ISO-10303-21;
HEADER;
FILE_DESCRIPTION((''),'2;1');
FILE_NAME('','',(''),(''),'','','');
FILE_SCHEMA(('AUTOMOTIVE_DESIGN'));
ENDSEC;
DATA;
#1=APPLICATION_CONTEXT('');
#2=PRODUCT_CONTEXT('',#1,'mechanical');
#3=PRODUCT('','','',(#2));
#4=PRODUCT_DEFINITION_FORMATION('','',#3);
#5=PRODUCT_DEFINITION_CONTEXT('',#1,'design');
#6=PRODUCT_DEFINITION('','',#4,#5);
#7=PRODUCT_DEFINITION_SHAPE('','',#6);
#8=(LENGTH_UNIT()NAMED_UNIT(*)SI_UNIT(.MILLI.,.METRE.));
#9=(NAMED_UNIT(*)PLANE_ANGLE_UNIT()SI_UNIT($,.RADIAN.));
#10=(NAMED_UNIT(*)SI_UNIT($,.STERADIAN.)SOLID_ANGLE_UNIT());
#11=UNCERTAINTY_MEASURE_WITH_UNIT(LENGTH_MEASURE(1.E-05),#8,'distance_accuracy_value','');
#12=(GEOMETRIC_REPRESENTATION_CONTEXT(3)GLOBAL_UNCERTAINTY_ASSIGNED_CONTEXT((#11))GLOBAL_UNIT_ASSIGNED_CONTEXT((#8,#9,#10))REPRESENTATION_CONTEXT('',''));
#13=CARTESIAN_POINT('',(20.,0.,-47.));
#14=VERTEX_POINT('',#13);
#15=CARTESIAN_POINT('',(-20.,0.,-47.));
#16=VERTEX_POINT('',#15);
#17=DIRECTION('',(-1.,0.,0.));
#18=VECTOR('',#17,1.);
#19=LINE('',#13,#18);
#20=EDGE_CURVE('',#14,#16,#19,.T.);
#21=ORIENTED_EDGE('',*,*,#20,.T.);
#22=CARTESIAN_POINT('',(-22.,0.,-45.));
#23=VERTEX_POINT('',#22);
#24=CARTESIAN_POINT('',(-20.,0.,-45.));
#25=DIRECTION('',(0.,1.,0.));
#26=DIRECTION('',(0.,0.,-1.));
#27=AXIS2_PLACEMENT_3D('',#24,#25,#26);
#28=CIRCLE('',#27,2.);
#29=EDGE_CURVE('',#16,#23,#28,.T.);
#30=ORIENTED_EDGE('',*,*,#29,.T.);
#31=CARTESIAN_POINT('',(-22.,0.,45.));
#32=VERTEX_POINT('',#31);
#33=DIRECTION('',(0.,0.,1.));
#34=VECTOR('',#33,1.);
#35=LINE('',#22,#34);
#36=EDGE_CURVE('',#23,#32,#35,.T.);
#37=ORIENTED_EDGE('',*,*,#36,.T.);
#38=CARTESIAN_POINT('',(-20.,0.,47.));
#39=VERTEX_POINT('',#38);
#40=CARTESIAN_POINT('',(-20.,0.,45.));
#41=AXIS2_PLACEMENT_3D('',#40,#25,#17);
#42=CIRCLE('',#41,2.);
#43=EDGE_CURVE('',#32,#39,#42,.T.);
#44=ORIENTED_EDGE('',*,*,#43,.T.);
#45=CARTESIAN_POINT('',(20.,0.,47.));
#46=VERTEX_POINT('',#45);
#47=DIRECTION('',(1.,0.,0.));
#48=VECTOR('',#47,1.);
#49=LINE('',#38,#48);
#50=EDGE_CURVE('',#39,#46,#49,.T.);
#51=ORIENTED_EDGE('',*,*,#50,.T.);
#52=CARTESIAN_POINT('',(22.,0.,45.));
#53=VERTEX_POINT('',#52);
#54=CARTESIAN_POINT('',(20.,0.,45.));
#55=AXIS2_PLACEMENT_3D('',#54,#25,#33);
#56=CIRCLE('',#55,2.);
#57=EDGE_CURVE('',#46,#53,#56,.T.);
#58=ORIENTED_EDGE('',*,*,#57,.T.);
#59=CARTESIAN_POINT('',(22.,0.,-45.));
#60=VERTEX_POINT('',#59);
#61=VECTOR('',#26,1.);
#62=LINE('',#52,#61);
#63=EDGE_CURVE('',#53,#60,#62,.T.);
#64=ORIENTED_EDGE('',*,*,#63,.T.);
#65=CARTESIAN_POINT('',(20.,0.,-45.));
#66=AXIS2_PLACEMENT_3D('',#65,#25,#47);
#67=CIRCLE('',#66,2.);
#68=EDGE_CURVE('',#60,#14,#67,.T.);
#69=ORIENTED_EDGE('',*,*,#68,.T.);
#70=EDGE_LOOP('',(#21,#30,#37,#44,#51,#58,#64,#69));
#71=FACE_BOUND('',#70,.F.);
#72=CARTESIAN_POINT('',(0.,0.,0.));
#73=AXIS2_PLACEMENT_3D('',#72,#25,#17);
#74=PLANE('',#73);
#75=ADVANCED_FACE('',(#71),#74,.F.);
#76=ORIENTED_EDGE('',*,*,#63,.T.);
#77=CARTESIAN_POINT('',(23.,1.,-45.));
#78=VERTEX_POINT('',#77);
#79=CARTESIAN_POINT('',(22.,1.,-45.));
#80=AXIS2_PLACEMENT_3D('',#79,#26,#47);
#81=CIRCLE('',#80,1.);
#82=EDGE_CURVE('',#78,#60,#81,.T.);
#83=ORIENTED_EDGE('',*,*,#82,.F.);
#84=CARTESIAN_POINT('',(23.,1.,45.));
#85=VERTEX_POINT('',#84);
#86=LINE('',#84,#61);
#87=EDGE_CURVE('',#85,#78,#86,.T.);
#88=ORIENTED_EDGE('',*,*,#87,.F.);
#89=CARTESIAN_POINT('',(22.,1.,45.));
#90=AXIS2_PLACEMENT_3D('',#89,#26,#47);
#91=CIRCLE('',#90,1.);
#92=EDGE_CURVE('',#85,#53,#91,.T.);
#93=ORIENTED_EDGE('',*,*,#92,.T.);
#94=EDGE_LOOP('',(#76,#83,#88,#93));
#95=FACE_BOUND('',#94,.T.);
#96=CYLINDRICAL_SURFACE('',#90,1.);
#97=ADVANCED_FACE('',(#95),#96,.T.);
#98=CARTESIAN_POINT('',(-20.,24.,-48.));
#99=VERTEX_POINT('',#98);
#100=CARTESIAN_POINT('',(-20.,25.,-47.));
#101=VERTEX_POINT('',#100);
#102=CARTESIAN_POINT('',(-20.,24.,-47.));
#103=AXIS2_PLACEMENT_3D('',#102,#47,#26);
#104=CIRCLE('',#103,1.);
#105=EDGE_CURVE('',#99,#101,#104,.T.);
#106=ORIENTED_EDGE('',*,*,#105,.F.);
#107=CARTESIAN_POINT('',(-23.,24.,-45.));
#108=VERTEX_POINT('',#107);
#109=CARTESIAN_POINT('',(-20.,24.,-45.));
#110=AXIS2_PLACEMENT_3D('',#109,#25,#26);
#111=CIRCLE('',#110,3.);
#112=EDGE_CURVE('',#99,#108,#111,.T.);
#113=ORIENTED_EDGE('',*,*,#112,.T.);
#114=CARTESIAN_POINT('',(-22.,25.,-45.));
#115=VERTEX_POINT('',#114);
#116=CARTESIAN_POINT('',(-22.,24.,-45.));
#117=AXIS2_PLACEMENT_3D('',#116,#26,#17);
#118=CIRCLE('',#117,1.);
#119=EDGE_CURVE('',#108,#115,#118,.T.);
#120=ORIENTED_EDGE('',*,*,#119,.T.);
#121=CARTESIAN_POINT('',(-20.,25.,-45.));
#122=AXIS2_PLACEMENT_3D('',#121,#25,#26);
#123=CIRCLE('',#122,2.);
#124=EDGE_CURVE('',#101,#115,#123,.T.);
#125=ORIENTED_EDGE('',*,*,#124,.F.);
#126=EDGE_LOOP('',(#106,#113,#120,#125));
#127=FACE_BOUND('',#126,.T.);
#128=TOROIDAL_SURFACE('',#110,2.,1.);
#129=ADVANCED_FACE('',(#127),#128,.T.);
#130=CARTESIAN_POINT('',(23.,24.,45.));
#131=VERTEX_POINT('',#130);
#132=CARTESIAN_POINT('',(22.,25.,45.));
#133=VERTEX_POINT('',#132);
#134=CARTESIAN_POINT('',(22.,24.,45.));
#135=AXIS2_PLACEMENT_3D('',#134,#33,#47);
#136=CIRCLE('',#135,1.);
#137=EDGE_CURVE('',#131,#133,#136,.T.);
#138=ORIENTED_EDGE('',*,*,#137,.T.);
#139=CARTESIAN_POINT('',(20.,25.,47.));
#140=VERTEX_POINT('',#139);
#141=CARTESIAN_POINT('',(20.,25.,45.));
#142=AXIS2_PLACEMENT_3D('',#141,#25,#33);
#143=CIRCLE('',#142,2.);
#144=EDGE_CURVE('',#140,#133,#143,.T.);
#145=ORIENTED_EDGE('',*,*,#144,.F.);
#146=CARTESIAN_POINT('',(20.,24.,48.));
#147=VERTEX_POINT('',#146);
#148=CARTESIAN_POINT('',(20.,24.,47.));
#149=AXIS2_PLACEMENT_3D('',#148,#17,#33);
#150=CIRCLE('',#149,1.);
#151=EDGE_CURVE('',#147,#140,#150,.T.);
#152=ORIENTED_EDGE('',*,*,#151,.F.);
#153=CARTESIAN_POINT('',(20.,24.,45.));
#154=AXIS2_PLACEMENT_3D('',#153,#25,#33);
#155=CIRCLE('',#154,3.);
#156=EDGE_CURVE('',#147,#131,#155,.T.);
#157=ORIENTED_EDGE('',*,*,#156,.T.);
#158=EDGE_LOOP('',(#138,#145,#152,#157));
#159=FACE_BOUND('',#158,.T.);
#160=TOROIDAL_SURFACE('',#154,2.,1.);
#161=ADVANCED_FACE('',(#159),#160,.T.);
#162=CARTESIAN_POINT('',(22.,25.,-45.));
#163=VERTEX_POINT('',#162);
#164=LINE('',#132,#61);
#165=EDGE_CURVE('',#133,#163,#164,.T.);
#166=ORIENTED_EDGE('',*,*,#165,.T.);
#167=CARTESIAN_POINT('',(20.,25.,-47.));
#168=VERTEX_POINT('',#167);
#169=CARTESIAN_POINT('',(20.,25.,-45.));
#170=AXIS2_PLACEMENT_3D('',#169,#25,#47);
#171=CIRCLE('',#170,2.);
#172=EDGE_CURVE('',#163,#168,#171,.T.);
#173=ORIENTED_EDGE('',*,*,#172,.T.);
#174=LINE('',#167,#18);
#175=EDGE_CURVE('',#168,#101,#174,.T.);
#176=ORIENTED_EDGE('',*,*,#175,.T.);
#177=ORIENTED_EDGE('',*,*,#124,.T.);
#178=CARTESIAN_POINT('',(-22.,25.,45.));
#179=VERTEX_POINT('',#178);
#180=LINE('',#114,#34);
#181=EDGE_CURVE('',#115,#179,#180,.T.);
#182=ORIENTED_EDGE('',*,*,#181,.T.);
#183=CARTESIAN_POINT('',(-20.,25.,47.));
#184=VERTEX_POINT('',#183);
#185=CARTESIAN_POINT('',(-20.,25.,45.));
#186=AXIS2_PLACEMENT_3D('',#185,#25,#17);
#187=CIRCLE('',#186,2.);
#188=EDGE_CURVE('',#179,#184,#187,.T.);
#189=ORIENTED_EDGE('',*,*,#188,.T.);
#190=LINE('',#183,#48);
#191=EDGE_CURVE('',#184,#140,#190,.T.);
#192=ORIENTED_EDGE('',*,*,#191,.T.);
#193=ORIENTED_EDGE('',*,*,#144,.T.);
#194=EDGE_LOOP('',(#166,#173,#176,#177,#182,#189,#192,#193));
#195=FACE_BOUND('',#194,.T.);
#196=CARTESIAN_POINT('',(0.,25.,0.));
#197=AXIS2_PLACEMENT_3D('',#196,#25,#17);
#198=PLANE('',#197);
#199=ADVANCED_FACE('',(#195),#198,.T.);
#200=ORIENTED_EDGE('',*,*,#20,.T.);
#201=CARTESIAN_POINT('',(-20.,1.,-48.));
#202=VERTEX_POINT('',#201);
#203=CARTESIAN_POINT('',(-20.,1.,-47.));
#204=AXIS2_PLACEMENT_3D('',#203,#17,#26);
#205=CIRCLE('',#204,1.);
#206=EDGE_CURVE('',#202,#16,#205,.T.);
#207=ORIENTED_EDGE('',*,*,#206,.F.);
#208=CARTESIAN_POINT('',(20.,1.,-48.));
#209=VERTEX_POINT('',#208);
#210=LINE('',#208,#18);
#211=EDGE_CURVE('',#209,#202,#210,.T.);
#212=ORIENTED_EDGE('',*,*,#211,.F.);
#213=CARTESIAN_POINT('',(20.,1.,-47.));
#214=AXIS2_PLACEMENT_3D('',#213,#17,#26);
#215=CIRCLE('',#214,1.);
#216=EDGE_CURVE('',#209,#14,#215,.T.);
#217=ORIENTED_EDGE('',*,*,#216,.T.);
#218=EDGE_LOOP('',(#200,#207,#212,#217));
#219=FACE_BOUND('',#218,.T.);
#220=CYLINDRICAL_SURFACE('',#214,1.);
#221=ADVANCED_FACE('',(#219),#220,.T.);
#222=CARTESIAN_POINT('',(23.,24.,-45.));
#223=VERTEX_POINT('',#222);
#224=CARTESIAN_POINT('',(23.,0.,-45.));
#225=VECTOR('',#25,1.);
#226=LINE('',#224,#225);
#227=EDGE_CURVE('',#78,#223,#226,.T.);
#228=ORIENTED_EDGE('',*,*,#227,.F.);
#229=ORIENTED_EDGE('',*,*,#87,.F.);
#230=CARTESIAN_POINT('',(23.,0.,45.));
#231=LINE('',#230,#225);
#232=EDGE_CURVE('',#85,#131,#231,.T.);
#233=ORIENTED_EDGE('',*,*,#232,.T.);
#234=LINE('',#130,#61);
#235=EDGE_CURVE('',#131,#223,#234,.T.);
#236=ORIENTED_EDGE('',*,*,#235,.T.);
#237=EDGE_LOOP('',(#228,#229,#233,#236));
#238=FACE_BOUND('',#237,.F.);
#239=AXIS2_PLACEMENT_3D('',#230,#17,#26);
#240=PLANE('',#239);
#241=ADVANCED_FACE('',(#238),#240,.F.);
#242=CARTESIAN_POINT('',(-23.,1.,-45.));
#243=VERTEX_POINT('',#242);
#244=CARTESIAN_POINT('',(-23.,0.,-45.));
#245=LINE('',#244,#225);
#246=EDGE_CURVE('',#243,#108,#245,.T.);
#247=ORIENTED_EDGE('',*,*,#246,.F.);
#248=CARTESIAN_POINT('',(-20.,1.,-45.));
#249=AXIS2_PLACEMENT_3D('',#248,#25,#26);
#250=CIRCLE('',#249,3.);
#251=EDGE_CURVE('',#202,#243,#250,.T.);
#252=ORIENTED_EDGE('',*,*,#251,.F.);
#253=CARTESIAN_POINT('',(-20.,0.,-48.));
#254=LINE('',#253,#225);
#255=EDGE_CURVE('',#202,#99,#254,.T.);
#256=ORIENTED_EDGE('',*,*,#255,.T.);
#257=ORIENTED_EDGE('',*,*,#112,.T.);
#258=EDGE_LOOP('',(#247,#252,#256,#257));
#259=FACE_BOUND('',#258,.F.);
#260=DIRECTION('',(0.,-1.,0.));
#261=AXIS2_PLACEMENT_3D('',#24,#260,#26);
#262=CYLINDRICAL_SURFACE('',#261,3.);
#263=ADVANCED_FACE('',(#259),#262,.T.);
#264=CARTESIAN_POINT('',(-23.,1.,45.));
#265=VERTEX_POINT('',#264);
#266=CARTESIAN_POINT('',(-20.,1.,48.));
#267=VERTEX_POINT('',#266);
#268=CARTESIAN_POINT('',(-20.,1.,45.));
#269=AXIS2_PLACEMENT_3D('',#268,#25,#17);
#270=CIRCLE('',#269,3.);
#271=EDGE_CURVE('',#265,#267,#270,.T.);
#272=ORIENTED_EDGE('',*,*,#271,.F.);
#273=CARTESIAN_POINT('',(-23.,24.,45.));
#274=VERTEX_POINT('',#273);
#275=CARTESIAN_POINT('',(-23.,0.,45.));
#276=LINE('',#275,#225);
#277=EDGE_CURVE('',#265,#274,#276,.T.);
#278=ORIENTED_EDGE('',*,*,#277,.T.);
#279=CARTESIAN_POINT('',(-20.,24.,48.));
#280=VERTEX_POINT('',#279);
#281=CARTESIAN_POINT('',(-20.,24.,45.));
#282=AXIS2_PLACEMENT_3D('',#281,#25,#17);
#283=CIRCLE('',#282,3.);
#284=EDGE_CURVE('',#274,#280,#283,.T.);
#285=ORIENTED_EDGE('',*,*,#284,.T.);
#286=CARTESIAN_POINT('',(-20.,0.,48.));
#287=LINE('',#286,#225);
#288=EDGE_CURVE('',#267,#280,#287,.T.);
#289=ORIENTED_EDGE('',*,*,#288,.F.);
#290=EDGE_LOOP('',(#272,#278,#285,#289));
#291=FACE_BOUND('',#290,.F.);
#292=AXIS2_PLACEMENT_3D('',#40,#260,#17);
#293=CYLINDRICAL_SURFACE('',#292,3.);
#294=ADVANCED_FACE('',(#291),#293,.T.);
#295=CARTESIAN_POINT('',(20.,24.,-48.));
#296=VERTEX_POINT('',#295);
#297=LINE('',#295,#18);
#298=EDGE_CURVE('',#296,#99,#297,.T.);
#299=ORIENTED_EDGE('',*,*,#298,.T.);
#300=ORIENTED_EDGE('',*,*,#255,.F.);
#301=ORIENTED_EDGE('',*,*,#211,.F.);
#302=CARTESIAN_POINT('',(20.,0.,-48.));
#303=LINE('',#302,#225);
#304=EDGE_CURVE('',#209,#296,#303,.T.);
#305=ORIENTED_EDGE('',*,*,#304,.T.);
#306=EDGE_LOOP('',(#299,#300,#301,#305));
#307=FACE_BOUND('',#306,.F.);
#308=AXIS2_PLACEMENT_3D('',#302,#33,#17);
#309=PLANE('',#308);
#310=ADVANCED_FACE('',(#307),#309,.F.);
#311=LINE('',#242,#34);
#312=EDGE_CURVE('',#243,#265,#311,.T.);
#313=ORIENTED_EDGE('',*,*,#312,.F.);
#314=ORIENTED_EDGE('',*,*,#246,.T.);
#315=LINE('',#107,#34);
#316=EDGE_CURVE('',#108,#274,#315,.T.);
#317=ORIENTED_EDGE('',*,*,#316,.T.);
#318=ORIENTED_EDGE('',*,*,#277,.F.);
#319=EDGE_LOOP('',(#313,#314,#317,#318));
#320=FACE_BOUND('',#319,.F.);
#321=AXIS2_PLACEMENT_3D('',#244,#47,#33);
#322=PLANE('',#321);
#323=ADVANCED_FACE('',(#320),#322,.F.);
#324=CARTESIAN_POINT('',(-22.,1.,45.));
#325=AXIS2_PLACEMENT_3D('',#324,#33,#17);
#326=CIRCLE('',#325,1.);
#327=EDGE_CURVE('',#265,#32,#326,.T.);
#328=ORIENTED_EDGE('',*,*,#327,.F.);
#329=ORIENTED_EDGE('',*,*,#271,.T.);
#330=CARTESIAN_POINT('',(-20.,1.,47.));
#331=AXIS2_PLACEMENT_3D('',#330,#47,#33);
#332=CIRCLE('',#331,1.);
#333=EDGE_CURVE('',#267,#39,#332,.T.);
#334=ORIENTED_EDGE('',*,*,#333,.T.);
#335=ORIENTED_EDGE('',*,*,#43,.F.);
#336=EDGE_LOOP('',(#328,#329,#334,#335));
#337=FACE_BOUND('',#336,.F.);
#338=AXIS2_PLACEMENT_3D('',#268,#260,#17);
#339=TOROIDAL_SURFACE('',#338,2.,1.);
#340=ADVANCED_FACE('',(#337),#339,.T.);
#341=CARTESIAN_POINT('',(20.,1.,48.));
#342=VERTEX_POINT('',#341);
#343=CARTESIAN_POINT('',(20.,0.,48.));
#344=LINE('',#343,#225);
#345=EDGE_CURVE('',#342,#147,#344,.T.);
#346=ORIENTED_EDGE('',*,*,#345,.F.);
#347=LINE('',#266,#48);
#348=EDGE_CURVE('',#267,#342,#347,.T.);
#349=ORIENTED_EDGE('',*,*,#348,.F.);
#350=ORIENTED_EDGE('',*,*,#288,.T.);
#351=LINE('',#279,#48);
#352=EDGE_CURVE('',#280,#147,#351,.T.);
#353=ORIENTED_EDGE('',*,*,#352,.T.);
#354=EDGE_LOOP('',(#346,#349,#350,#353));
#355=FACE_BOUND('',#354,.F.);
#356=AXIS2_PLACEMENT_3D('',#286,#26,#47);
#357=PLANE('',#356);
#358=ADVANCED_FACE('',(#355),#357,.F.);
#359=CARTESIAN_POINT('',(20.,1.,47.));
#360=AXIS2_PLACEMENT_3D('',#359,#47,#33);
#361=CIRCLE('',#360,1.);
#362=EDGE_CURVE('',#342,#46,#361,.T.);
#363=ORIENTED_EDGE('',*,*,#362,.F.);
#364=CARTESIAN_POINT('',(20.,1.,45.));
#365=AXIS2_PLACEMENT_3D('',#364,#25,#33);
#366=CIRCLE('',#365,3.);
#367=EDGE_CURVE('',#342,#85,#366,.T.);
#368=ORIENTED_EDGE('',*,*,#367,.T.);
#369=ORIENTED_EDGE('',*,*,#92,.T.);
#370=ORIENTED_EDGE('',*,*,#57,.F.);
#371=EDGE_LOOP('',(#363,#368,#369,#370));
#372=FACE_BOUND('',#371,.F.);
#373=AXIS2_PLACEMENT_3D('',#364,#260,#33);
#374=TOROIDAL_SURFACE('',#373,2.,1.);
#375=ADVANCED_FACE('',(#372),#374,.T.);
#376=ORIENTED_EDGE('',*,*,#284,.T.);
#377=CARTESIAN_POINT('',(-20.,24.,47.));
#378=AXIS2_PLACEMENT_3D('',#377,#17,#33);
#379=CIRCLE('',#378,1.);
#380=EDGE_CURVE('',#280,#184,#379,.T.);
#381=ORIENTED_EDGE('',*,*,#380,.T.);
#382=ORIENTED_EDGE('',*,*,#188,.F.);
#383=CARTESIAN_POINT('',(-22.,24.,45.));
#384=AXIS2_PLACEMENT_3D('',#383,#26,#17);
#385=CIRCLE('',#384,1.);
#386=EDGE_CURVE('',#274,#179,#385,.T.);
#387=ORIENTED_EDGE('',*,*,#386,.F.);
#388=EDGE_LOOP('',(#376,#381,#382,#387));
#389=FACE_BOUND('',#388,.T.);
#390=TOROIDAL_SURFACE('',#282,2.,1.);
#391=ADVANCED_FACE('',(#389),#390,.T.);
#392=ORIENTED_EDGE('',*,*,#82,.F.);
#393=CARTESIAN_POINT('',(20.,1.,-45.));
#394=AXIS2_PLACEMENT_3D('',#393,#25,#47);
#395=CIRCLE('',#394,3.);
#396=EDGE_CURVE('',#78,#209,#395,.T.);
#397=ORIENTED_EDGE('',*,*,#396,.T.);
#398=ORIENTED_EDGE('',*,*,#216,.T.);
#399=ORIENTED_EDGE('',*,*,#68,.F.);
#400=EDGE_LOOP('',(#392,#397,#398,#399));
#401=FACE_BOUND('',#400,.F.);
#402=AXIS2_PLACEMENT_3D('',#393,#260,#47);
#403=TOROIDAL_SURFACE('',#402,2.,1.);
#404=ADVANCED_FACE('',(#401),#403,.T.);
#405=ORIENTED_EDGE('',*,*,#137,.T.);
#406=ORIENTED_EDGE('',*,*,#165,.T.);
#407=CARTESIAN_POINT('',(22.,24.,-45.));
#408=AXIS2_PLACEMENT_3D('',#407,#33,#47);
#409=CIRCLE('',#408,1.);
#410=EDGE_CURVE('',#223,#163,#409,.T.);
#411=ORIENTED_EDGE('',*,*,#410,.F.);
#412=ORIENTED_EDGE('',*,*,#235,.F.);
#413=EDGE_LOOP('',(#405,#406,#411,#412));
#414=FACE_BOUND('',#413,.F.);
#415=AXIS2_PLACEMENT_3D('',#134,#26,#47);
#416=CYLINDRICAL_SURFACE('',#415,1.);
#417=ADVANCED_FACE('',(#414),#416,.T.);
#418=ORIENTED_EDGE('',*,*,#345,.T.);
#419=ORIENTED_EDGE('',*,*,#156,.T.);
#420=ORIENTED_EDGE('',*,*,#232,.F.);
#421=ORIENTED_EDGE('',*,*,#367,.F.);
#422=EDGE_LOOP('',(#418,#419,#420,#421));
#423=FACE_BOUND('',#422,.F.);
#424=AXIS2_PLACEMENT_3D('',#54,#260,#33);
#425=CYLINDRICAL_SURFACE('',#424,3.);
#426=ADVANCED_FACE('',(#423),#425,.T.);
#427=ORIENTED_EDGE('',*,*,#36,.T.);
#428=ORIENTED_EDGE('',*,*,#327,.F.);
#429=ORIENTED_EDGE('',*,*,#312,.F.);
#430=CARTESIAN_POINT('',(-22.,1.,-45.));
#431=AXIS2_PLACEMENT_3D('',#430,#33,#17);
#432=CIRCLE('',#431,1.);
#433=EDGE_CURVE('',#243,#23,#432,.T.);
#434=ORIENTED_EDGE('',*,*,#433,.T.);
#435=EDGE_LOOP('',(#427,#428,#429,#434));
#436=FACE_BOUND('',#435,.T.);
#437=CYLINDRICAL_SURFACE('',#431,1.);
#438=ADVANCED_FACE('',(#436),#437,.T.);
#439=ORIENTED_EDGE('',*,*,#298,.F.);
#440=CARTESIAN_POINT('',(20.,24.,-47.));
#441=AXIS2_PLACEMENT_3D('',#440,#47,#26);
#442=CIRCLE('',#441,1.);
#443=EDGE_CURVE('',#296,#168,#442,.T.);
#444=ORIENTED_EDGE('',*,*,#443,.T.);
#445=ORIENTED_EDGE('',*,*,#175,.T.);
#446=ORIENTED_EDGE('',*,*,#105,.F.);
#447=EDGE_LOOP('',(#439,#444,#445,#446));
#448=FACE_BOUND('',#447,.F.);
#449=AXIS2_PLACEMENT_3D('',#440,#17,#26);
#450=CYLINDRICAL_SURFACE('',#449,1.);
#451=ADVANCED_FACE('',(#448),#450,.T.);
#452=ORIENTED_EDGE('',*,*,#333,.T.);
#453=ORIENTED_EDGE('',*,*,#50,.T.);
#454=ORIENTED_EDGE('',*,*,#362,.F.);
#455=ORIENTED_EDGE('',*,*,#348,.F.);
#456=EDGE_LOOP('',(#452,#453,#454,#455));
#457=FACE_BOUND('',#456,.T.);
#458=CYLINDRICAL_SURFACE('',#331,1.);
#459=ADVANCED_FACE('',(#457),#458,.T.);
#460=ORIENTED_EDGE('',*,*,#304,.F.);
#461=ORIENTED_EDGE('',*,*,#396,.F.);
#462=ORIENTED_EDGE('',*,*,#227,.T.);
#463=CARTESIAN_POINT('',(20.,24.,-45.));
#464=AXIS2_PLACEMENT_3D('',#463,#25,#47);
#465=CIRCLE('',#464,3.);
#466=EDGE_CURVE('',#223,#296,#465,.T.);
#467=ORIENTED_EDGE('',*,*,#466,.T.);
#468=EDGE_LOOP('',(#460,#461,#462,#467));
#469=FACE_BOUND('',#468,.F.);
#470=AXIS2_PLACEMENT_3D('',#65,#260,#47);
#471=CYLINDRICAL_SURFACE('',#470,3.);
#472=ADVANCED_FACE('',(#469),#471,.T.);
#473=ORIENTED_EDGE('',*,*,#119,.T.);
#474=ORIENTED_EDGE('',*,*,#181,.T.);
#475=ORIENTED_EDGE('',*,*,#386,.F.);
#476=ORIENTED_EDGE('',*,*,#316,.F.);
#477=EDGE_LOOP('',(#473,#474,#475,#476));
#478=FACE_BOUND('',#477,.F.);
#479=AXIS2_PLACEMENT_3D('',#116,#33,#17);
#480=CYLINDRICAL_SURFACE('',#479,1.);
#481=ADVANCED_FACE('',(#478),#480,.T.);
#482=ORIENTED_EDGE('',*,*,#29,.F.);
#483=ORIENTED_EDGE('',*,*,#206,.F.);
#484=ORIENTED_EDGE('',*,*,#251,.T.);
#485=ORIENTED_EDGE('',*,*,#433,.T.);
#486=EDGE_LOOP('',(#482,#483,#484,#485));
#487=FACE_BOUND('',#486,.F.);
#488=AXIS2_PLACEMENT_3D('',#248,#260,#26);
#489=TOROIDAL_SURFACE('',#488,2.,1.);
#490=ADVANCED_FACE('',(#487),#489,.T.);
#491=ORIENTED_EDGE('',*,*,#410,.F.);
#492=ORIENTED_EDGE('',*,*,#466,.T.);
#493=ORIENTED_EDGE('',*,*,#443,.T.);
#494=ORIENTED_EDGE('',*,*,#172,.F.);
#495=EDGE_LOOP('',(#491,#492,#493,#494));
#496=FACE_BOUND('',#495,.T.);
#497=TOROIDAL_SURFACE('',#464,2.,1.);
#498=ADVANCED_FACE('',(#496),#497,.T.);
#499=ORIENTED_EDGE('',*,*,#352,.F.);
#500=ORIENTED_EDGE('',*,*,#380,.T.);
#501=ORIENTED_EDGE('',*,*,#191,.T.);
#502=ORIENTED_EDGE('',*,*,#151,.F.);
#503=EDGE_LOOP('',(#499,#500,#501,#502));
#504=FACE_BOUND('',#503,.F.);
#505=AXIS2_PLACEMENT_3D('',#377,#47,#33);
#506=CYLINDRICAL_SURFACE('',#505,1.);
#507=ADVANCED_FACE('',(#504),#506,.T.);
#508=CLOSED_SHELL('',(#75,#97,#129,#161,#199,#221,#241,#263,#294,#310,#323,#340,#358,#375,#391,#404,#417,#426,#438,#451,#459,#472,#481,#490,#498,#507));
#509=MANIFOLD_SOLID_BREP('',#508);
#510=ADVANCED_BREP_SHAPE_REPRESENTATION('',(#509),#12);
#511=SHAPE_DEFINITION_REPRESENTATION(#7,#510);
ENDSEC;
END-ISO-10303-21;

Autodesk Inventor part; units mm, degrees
ref_plane "YZ Plane" through (0, 0, 0) normal (1, 0, 0) x (0, 1, 0)
ref_plane "XZ Plane" through (0, 0, 0) normal (0, 1, 0) x (-1, 0, 0)
ref_plane "XY Plane" through (0, 0, 0) normal (0, 0, 1) x (1, 0, 0)
sketch "Sketch1" plane through (0, 0, 0) normal (0, 1, 0) x (-1, 0, 0)
  line L0 (20, 48) -> (-20, 48)
  line L1 (-23, 45) -> (-23, -45)
  line L2 (-20, -48) -> (20, -48)
  line L3 (23, -45) -> (23, 45)
  line L4 (23, 48) -> (-23, -48) construction
  line L5 (-23, 48) -> (23, -48) construction
  arc A0 (23, 45) -> (20, 48) centre (20, 45) ccw
  arc A1 (20, -48) -> (23, -45) centre (20, -45) ccw
  arc A2 (-23, -45) -> (-20, -48) centre (-20, -45) ccw
  arc A3 (-20, 48) -> (-23, 45) centre (-20, 45) ccw
  point P0 (0, 0)
  dimension "d0" = 46
  dimension "d1" = 96
  dimension "d2" = 3
extrude "Extrusion1" add sketch "Sketch1" along normal blind 25
fillet "Fillet1" radius 1 16 edges at (22.1213, 25, -47.1213) (0, 25, -48) (-22.1213, 25, -47.1213) (-23, 25, 0) (-22.1213, 25, 47.1213) (0, 25, 48) (22.1213, 25, 47.1213) (23, 25, 0) (22.1213, 0, -47.1213) (0, 0, -48) (-22.1213, 0, -47.1213) (-23, 0, 0) (-22.1213, 0, 47.1213) (0, 0, 48) (22.1213, 0, 47.1213) (23, 0, 0)
properties part number "battery"
